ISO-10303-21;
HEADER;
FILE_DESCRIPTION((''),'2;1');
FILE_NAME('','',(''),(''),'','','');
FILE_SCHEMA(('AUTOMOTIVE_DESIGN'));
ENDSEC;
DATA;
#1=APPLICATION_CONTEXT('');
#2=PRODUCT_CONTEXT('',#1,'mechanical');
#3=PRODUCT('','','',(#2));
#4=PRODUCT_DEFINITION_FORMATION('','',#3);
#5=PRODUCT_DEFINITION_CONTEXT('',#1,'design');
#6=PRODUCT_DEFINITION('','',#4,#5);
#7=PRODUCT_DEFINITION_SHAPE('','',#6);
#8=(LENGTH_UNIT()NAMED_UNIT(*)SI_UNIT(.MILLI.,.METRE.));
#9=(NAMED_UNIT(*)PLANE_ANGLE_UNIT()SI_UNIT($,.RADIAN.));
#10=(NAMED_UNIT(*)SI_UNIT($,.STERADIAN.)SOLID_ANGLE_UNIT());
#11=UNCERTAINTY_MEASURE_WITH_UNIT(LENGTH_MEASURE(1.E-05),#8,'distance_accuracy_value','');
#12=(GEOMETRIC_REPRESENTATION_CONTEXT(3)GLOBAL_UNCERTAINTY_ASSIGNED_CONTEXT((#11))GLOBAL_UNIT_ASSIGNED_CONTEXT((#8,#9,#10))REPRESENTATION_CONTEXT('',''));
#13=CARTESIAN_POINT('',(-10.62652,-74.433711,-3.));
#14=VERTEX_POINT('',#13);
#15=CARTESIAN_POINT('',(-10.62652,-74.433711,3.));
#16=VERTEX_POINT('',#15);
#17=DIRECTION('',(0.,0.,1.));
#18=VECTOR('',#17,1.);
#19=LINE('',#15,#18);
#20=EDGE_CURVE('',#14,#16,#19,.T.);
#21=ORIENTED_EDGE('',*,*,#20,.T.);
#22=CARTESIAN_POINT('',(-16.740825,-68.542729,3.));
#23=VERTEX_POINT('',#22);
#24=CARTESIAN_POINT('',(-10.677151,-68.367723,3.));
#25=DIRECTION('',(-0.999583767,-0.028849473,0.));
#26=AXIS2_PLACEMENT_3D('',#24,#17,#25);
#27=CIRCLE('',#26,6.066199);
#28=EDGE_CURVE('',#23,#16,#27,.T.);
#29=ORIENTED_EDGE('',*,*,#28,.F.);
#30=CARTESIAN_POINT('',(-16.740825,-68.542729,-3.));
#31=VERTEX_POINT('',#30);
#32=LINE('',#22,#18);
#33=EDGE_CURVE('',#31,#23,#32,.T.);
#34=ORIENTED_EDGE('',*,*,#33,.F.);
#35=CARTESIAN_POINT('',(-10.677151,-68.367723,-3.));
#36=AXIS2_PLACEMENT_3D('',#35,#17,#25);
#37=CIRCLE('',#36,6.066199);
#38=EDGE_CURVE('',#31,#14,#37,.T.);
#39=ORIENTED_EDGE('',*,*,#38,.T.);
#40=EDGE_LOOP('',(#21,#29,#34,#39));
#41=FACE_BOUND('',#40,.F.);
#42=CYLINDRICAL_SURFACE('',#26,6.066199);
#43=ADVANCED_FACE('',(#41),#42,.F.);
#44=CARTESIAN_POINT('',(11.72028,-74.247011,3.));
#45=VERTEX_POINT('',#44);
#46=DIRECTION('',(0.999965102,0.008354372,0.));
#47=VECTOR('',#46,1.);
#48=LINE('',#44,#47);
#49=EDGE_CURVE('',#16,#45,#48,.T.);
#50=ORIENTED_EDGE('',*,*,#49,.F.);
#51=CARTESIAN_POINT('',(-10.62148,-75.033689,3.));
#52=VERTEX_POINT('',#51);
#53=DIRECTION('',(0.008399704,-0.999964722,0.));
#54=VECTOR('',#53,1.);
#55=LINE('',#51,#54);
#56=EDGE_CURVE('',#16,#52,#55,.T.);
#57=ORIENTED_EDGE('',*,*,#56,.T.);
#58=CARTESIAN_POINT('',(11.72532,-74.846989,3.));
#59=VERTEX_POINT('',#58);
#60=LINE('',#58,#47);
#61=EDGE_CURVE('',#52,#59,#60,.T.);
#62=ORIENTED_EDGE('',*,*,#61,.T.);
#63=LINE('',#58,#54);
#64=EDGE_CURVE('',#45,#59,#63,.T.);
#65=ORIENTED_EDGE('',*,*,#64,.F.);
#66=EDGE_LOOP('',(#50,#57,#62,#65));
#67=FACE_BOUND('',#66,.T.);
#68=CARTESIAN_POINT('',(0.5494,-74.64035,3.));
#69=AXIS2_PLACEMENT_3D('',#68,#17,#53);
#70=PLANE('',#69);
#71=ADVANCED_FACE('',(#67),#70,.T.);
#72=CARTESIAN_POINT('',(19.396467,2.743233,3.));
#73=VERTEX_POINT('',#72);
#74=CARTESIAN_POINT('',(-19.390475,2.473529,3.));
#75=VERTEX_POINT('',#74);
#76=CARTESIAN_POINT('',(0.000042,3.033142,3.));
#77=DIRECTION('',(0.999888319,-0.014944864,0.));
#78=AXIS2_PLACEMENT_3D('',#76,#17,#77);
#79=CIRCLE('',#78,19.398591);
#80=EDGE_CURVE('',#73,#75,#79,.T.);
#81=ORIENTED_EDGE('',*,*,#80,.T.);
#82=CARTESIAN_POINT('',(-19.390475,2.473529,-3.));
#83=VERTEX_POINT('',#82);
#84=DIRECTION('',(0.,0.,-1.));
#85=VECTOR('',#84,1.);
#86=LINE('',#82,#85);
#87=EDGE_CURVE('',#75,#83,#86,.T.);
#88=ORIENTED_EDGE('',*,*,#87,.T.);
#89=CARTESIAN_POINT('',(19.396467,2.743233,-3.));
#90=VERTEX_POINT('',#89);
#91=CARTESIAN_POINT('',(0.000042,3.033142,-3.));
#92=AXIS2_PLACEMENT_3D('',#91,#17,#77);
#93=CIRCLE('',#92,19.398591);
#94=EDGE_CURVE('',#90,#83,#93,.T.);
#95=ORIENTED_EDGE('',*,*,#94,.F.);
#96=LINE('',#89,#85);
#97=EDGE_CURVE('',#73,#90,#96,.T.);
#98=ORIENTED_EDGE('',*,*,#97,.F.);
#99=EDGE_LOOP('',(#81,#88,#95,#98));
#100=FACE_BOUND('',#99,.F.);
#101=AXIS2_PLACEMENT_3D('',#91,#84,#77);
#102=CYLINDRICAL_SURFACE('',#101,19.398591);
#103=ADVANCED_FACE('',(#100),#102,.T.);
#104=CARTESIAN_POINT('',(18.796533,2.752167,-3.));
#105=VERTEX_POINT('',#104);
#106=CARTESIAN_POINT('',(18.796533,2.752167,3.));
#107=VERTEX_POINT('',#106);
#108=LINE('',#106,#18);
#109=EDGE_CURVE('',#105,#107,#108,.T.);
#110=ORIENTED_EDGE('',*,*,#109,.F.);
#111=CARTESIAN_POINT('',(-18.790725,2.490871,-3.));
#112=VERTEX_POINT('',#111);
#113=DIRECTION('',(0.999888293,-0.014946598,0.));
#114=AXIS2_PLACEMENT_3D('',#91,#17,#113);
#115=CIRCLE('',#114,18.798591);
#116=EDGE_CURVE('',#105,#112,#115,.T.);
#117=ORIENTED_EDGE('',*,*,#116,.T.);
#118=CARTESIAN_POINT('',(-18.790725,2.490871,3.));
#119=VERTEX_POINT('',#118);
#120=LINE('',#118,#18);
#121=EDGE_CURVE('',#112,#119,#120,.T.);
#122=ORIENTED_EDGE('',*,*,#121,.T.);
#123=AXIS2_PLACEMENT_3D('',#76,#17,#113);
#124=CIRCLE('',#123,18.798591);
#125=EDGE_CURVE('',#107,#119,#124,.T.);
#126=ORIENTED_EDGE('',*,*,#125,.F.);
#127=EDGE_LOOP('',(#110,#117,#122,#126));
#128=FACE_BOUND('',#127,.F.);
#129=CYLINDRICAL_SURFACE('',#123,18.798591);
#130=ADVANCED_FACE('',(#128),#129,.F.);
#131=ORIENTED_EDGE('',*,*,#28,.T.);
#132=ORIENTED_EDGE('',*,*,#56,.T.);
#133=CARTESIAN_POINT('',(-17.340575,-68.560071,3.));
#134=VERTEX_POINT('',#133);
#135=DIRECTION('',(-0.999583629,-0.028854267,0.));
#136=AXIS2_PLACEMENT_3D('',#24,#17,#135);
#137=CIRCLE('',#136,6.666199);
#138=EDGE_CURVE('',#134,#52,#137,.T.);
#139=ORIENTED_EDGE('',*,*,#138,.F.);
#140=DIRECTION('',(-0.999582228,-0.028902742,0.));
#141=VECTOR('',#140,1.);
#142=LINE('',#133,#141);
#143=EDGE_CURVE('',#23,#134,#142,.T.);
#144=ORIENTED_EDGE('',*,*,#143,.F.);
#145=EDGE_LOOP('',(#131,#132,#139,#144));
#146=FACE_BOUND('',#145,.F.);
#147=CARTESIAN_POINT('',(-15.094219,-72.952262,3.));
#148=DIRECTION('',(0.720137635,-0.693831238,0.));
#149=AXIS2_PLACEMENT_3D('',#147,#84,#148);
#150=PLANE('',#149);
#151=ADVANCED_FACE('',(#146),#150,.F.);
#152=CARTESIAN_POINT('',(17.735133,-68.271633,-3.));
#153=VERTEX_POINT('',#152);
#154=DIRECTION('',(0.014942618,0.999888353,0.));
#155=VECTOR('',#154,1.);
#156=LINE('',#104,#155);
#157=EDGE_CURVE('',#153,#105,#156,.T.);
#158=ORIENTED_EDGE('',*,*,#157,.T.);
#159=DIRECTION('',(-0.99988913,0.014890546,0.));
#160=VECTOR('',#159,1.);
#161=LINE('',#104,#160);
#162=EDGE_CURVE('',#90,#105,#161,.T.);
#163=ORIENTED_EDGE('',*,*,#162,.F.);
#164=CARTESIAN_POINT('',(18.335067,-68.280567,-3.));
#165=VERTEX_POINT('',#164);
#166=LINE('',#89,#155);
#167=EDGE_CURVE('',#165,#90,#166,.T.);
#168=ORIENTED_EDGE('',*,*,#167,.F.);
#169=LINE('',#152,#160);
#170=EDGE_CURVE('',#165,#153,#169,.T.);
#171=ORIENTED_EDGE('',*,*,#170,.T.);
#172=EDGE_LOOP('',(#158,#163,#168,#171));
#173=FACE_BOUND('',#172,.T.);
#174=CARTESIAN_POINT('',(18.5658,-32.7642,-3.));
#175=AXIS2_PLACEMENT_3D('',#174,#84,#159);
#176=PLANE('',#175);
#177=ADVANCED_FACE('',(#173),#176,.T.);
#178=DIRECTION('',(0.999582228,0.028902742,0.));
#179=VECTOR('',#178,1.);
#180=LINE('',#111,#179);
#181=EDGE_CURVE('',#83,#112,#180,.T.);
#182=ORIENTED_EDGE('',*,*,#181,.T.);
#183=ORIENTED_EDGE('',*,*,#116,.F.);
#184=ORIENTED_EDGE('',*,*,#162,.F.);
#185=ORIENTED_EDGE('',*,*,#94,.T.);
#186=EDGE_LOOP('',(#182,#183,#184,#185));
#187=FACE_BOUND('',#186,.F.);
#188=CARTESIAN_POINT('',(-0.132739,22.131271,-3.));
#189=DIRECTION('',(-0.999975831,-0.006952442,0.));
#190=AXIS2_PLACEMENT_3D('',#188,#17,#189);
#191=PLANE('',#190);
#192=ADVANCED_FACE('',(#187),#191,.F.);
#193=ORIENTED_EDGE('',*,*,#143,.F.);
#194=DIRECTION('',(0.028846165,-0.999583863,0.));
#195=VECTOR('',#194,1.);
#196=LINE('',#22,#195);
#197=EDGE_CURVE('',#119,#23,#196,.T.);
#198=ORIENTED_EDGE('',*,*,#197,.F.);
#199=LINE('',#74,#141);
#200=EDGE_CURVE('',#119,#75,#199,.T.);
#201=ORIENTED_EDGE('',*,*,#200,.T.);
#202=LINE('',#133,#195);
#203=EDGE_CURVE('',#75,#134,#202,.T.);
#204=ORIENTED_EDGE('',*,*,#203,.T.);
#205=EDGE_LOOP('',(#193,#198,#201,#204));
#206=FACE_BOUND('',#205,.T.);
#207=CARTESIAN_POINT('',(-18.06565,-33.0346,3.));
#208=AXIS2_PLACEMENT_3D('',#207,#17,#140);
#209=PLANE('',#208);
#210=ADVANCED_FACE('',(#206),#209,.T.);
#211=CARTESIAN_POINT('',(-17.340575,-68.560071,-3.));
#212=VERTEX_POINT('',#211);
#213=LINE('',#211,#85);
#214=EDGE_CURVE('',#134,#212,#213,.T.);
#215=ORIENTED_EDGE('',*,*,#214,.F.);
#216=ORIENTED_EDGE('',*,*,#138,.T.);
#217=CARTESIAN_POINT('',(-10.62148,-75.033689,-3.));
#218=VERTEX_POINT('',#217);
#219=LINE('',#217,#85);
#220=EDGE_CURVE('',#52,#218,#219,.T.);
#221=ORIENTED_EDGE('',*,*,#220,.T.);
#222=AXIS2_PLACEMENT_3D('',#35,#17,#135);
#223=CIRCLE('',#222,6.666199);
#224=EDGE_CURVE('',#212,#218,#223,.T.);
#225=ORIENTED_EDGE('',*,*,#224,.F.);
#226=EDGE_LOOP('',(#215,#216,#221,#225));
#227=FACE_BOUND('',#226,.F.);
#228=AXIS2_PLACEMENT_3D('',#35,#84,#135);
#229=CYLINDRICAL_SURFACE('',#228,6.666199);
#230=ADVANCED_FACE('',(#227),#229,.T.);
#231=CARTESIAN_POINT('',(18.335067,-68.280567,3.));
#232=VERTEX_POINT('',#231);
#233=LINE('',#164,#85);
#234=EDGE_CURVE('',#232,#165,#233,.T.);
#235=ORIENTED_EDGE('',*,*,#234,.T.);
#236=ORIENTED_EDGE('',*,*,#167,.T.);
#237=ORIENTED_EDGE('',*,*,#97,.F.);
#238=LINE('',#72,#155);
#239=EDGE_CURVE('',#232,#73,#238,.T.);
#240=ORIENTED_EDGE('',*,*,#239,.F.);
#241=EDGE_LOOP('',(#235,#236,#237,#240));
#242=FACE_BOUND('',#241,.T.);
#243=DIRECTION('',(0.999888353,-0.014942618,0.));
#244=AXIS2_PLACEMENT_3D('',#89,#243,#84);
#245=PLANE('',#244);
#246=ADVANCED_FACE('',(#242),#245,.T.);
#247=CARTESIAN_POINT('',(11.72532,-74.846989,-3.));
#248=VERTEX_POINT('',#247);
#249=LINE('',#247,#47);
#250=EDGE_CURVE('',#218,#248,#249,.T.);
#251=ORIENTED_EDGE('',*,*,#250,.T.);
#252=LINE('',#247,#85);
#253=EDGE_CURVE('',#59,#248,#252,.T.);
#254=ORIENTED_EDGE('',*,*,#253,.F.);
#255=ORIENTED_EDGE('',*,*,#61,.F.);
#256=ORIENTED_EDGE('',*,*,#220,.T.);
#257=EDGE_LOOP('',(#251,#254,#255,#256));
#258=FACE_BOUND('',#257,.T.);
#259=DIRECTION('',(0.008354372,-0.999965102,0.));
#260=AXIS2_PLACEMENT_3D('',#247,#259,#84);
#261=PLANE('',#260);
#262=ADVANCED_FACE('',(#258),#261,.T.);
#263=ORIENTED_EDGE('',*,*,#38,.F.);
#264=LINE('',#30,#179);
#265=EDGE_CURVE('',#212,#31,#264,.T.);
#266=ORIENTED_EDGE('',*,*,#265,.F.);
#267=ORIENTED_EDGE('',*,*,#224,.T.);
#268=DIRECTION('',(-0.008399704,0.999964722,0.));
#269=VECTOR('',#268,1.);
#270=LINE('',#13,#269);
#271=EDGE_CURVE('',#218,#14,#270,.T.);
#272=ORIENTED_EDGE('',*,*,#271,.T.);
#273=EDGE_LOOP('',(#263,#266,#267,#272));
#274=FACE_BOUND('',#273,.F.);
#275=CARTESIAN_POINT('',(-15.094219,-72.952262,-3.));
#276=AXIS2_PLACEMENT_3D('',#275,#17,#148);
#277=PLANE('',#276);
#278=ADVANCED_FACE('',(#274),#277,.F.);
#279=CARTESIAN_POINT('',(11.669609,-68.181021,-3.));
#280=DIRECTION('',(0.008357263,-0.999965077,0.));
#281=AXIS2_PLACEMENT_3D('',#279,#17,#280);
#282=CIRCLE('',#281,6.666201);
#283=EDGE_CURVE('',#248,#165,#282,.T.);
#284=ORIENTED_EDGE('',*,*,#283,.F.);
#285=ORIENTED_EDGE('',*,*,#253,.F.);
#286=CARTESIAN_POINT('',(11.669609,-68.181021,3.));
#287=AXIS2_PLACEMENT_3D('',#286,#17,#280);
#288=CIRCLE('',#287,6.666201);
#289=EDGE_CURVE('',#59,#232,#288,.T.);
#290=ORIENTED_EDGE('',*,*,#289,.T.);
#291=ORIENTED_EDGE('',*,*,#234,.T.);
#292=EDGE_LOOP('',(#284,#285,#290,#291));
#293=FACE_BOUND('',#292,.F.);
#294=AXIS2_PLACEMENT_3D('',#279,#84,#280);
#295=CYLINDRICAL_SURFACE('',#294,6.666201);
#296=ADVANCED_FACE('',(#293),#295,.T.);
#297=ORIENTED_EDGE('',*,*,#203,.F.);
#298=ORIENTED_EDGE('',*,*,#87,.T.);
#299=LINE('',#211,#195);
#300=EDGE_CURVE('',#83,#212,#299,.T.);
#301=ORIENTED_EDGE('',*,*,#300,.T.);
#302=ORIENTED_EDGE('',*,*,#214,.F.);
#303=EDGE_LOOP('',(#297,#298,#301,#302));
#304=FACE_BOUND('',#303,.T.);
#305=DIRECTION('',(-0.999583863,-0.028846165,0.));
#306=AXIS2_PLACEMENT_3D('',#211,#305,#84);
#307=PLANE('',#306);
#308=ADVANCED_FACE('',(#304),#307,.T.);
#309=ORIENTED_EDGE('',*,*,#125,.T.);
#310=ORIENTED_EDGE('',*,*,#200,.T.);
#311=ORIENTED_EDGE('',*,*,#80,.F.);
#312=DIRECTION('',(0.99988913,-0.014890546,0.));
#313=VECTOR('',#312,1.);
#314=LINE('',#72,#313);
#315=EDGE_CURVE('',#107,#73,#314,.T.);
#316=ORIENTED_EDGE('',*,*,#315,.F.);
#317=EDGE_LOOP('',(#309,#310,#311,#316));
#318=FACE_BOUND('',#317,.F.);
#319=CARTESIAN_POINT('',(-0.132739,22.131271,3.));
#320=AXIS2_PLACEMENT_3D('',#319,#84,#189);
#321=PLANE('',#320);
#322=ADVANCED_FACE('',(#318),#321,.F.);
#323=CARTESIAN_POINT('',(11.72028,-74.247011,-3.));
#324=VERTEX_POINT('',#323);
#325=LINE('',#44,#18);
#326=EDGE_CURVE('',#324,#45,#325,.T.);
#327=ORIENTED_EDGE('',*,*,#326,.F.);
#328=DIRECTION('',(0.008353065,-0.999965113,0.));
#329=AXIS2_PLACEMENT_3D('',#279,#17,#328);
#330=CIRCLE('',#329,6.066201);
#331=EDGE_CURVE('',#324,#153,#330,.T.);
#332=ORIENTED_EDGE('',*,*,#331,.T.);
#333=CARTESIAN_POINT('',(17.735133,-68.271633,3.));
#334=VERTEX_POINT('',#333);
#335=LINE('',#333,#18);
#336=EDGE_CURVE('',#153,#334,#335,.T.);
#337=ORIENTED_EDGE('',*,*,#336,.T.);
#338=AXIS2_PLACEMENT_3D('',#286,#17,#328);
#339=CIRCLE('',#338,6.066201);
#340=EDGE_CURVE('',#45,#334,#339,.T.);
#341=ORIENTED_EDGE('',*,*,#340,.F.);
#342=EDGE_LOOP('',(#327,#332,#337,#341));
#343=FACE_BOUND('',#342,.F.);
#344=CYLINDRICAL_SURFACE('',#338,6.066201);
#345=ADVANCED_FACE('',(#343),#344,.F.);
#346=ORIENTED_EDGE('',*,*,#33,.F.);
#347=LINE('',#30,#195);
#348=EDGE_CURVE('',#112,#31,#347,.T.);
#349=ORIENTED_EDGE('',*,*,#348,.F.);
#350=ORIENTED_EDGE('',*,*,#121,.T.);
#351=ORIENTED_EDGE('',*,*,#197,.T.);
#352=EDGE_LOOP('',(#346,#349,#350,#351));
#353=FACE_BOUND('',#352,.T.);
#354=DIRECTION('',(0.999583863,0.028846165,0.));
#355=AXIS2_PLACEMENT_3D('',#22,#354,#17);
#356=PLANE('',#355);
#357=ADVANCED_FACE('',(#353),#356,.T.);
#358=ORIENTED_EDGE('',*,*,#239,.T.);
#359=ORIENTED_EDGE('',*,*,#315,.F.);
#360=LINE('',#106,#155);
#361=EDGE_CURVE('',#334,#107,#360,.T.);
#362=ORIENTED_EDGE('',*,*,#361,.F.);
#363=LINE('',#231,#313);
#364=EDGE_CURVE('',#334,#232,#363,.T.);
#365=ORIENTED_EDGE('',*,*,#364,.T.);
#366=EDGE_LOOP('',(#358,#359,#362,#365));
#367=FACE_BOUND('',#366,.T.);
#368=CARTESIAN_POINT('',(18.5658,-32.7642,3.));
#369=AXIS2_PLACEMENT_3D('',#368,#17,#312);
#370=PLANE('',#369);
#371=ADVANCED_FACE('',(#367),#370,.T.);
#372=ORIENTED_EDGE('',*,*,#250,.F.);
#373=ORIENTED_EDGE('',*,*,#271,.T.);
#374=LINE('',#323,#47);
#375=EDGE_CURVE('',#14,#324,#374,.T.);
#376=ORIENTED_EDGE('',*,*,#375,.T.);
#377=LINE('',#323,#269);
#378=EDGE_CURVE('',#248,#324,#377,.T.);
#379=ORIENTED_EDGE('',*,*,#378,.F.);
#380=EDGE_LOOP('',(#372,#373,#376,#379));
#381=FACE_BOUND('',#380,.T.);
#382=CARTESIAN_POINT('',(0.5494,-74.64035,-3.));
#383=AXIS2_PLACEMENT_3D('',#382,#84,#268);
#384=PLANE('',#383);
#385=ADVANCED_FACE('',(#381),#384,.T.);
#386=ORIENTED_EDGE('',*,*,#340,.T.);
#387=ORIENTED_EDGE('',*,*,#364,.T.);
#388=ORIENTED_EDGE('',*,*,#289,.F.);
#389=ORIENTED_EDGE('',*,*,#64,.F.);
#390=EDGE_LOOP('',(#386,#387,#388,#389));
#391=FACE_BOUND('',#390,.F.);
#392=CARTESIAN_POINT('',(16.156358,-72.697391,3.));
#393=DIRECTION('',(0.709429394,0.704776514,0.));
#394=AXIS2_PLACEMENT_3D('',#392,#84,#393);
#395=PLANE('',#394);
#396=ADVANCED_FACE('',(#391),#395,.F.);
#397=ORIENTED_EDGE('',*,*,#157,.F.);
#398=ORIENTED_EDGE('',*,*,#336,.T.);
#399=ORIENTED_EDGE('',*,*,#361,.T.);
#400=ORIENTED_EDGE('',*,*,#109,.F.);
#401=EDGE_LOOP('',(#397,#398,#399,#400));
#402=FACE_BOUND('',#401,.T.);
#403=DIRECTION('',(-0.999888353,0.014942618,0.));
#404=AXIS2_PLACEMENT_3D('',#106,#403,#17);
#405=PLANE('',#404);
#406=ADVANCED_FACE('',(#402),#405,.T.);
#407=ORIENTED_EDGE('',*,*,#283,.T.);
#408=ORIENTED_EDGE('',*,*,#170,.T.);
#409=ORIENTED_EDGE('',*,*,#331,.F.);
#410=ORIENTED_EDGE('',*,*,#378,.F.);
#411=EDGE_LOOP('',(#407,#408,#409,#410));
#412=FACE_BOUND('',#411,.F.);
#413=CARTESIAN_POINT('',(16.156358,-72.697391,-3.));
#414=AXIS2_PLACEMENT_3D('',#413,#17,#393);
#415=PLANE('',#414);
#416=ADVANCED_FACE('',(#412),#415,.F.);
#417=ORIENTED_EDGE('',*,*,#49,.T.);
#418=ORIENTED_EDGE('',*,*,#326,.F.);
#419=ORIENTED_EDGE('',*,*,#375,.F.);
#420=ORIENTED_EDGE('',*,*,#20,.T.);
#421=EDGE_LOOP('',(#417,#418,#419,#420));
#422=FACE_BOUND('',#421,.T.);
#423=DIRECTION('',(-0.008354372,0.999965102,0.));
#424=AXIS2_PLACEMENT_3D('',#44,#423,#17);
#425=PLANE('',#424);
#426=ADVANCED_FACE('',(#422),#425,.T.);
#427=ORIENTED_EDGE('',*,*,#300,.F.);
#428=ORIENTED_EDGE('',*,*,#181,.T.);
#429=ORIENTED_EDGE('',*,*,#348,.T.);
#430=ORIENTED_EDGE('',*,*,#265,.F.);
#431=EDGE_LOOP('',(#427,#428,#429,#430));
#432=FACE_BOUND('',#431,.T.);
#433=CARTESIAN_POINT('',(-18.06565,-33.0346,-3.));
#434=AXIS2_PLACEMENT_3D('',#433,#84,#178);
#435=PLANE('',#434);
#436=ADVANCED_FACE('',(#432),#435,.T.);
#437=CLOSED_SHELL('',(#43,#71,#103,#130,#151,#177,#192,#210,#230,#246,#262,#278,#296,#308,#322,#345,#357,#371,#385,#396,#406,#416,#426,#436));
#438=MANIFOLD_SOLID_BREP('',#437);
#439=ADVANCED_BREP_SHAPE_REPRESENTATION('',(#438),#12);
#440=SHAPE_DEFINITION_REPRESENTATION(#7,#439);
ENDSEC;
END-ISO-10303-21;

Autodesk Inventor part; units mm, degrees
sketch "Skizzenpfad" plane through (0, 0, 0) normal (0, 0, 1) x (1, 0, 0)
  arc A0 (-17.0407, -68.5514) -> (-10.624, -74.7337) centre (-10.6771, -68.3677) ccw
  arc A1 (19.0965, 2.7477) -> (-19.0906, 2.4822) centre (0, 3.0331) ccw
  arc A2 (11.7228, -74.547) -> (18.0351, -68.2761) centre (11.6696, -68.181) ccw
  line L0 (11.7228, -74.547) -> (-10.624, -74.7337)
  line L1 (-17.0407, -68.5514) -> (-19.0906, 2.4822)
  line L2 (19.0965, 2.7477) -> (18.0351, -68.2761)
ref_plane "Querschnittsebene" through (-10.624, -74.7337, 0) normal (1, 0.0084, 0) x (0, 0, 1)
ref_plane "Arbeitsebene2" through (-10.6771, -68.3677, 0) normal (-1, 0, 0) x (0, 0, 1)
ref_plane "Arbeitsebene3" through (0, 3.0331, 0) normal (-0.056, -0.9984, 0) x (0, 0, 1)
ref_plane "Arbeitsebene4" through (11.6696, -68.181, 0) normal (0.3604, 0.9328, 0) x (0, 0, 1)
sketch "Querschnitt" plane through (-10.624, -74.7337, 0) normal (1, 0.0084, 0) x (0, 0, 1)
  line L0 (-3, 0.3) -> (3, 0.3)
  line L1 (3, 0.3) -> (3, -0.3)
  line L2 (3, -0.3) -> (-3, -0.3)
  line L3 (-3, -0.3) -> (-3, 0.3)
  line L4 (-3, 0) -> (3, 0) construction
  point P0 (0, 0)
  point P1 (0, 0)
  dimension "d0" = 6
  dimension "d4" = 0.3
  dimension "d5" = 0.3
sweep "Riemen" add profiles "Querschnitt" path "Skizzenpfad"
equation "\"d0\" = da_B"
equation "\"d4\" = da_a"
equation "\"d5\" = da_a2"
equation "\"da_B\" = 6"
equation "\"da_pb\" = 2.5"
equation "\"da_L\" = 245"
equation "\"da_a\" = 0.3"
equation "\"da_S\" = 1.5"
equation "\"da_Beta\" = 20deg"
equation "\"da_Ht\" = 0.7"
equation "\"da_H\" = 1.3"
equation "\"da_a2\" = 0.3"
properties part number "Zahnriemen" material "Rubber"
